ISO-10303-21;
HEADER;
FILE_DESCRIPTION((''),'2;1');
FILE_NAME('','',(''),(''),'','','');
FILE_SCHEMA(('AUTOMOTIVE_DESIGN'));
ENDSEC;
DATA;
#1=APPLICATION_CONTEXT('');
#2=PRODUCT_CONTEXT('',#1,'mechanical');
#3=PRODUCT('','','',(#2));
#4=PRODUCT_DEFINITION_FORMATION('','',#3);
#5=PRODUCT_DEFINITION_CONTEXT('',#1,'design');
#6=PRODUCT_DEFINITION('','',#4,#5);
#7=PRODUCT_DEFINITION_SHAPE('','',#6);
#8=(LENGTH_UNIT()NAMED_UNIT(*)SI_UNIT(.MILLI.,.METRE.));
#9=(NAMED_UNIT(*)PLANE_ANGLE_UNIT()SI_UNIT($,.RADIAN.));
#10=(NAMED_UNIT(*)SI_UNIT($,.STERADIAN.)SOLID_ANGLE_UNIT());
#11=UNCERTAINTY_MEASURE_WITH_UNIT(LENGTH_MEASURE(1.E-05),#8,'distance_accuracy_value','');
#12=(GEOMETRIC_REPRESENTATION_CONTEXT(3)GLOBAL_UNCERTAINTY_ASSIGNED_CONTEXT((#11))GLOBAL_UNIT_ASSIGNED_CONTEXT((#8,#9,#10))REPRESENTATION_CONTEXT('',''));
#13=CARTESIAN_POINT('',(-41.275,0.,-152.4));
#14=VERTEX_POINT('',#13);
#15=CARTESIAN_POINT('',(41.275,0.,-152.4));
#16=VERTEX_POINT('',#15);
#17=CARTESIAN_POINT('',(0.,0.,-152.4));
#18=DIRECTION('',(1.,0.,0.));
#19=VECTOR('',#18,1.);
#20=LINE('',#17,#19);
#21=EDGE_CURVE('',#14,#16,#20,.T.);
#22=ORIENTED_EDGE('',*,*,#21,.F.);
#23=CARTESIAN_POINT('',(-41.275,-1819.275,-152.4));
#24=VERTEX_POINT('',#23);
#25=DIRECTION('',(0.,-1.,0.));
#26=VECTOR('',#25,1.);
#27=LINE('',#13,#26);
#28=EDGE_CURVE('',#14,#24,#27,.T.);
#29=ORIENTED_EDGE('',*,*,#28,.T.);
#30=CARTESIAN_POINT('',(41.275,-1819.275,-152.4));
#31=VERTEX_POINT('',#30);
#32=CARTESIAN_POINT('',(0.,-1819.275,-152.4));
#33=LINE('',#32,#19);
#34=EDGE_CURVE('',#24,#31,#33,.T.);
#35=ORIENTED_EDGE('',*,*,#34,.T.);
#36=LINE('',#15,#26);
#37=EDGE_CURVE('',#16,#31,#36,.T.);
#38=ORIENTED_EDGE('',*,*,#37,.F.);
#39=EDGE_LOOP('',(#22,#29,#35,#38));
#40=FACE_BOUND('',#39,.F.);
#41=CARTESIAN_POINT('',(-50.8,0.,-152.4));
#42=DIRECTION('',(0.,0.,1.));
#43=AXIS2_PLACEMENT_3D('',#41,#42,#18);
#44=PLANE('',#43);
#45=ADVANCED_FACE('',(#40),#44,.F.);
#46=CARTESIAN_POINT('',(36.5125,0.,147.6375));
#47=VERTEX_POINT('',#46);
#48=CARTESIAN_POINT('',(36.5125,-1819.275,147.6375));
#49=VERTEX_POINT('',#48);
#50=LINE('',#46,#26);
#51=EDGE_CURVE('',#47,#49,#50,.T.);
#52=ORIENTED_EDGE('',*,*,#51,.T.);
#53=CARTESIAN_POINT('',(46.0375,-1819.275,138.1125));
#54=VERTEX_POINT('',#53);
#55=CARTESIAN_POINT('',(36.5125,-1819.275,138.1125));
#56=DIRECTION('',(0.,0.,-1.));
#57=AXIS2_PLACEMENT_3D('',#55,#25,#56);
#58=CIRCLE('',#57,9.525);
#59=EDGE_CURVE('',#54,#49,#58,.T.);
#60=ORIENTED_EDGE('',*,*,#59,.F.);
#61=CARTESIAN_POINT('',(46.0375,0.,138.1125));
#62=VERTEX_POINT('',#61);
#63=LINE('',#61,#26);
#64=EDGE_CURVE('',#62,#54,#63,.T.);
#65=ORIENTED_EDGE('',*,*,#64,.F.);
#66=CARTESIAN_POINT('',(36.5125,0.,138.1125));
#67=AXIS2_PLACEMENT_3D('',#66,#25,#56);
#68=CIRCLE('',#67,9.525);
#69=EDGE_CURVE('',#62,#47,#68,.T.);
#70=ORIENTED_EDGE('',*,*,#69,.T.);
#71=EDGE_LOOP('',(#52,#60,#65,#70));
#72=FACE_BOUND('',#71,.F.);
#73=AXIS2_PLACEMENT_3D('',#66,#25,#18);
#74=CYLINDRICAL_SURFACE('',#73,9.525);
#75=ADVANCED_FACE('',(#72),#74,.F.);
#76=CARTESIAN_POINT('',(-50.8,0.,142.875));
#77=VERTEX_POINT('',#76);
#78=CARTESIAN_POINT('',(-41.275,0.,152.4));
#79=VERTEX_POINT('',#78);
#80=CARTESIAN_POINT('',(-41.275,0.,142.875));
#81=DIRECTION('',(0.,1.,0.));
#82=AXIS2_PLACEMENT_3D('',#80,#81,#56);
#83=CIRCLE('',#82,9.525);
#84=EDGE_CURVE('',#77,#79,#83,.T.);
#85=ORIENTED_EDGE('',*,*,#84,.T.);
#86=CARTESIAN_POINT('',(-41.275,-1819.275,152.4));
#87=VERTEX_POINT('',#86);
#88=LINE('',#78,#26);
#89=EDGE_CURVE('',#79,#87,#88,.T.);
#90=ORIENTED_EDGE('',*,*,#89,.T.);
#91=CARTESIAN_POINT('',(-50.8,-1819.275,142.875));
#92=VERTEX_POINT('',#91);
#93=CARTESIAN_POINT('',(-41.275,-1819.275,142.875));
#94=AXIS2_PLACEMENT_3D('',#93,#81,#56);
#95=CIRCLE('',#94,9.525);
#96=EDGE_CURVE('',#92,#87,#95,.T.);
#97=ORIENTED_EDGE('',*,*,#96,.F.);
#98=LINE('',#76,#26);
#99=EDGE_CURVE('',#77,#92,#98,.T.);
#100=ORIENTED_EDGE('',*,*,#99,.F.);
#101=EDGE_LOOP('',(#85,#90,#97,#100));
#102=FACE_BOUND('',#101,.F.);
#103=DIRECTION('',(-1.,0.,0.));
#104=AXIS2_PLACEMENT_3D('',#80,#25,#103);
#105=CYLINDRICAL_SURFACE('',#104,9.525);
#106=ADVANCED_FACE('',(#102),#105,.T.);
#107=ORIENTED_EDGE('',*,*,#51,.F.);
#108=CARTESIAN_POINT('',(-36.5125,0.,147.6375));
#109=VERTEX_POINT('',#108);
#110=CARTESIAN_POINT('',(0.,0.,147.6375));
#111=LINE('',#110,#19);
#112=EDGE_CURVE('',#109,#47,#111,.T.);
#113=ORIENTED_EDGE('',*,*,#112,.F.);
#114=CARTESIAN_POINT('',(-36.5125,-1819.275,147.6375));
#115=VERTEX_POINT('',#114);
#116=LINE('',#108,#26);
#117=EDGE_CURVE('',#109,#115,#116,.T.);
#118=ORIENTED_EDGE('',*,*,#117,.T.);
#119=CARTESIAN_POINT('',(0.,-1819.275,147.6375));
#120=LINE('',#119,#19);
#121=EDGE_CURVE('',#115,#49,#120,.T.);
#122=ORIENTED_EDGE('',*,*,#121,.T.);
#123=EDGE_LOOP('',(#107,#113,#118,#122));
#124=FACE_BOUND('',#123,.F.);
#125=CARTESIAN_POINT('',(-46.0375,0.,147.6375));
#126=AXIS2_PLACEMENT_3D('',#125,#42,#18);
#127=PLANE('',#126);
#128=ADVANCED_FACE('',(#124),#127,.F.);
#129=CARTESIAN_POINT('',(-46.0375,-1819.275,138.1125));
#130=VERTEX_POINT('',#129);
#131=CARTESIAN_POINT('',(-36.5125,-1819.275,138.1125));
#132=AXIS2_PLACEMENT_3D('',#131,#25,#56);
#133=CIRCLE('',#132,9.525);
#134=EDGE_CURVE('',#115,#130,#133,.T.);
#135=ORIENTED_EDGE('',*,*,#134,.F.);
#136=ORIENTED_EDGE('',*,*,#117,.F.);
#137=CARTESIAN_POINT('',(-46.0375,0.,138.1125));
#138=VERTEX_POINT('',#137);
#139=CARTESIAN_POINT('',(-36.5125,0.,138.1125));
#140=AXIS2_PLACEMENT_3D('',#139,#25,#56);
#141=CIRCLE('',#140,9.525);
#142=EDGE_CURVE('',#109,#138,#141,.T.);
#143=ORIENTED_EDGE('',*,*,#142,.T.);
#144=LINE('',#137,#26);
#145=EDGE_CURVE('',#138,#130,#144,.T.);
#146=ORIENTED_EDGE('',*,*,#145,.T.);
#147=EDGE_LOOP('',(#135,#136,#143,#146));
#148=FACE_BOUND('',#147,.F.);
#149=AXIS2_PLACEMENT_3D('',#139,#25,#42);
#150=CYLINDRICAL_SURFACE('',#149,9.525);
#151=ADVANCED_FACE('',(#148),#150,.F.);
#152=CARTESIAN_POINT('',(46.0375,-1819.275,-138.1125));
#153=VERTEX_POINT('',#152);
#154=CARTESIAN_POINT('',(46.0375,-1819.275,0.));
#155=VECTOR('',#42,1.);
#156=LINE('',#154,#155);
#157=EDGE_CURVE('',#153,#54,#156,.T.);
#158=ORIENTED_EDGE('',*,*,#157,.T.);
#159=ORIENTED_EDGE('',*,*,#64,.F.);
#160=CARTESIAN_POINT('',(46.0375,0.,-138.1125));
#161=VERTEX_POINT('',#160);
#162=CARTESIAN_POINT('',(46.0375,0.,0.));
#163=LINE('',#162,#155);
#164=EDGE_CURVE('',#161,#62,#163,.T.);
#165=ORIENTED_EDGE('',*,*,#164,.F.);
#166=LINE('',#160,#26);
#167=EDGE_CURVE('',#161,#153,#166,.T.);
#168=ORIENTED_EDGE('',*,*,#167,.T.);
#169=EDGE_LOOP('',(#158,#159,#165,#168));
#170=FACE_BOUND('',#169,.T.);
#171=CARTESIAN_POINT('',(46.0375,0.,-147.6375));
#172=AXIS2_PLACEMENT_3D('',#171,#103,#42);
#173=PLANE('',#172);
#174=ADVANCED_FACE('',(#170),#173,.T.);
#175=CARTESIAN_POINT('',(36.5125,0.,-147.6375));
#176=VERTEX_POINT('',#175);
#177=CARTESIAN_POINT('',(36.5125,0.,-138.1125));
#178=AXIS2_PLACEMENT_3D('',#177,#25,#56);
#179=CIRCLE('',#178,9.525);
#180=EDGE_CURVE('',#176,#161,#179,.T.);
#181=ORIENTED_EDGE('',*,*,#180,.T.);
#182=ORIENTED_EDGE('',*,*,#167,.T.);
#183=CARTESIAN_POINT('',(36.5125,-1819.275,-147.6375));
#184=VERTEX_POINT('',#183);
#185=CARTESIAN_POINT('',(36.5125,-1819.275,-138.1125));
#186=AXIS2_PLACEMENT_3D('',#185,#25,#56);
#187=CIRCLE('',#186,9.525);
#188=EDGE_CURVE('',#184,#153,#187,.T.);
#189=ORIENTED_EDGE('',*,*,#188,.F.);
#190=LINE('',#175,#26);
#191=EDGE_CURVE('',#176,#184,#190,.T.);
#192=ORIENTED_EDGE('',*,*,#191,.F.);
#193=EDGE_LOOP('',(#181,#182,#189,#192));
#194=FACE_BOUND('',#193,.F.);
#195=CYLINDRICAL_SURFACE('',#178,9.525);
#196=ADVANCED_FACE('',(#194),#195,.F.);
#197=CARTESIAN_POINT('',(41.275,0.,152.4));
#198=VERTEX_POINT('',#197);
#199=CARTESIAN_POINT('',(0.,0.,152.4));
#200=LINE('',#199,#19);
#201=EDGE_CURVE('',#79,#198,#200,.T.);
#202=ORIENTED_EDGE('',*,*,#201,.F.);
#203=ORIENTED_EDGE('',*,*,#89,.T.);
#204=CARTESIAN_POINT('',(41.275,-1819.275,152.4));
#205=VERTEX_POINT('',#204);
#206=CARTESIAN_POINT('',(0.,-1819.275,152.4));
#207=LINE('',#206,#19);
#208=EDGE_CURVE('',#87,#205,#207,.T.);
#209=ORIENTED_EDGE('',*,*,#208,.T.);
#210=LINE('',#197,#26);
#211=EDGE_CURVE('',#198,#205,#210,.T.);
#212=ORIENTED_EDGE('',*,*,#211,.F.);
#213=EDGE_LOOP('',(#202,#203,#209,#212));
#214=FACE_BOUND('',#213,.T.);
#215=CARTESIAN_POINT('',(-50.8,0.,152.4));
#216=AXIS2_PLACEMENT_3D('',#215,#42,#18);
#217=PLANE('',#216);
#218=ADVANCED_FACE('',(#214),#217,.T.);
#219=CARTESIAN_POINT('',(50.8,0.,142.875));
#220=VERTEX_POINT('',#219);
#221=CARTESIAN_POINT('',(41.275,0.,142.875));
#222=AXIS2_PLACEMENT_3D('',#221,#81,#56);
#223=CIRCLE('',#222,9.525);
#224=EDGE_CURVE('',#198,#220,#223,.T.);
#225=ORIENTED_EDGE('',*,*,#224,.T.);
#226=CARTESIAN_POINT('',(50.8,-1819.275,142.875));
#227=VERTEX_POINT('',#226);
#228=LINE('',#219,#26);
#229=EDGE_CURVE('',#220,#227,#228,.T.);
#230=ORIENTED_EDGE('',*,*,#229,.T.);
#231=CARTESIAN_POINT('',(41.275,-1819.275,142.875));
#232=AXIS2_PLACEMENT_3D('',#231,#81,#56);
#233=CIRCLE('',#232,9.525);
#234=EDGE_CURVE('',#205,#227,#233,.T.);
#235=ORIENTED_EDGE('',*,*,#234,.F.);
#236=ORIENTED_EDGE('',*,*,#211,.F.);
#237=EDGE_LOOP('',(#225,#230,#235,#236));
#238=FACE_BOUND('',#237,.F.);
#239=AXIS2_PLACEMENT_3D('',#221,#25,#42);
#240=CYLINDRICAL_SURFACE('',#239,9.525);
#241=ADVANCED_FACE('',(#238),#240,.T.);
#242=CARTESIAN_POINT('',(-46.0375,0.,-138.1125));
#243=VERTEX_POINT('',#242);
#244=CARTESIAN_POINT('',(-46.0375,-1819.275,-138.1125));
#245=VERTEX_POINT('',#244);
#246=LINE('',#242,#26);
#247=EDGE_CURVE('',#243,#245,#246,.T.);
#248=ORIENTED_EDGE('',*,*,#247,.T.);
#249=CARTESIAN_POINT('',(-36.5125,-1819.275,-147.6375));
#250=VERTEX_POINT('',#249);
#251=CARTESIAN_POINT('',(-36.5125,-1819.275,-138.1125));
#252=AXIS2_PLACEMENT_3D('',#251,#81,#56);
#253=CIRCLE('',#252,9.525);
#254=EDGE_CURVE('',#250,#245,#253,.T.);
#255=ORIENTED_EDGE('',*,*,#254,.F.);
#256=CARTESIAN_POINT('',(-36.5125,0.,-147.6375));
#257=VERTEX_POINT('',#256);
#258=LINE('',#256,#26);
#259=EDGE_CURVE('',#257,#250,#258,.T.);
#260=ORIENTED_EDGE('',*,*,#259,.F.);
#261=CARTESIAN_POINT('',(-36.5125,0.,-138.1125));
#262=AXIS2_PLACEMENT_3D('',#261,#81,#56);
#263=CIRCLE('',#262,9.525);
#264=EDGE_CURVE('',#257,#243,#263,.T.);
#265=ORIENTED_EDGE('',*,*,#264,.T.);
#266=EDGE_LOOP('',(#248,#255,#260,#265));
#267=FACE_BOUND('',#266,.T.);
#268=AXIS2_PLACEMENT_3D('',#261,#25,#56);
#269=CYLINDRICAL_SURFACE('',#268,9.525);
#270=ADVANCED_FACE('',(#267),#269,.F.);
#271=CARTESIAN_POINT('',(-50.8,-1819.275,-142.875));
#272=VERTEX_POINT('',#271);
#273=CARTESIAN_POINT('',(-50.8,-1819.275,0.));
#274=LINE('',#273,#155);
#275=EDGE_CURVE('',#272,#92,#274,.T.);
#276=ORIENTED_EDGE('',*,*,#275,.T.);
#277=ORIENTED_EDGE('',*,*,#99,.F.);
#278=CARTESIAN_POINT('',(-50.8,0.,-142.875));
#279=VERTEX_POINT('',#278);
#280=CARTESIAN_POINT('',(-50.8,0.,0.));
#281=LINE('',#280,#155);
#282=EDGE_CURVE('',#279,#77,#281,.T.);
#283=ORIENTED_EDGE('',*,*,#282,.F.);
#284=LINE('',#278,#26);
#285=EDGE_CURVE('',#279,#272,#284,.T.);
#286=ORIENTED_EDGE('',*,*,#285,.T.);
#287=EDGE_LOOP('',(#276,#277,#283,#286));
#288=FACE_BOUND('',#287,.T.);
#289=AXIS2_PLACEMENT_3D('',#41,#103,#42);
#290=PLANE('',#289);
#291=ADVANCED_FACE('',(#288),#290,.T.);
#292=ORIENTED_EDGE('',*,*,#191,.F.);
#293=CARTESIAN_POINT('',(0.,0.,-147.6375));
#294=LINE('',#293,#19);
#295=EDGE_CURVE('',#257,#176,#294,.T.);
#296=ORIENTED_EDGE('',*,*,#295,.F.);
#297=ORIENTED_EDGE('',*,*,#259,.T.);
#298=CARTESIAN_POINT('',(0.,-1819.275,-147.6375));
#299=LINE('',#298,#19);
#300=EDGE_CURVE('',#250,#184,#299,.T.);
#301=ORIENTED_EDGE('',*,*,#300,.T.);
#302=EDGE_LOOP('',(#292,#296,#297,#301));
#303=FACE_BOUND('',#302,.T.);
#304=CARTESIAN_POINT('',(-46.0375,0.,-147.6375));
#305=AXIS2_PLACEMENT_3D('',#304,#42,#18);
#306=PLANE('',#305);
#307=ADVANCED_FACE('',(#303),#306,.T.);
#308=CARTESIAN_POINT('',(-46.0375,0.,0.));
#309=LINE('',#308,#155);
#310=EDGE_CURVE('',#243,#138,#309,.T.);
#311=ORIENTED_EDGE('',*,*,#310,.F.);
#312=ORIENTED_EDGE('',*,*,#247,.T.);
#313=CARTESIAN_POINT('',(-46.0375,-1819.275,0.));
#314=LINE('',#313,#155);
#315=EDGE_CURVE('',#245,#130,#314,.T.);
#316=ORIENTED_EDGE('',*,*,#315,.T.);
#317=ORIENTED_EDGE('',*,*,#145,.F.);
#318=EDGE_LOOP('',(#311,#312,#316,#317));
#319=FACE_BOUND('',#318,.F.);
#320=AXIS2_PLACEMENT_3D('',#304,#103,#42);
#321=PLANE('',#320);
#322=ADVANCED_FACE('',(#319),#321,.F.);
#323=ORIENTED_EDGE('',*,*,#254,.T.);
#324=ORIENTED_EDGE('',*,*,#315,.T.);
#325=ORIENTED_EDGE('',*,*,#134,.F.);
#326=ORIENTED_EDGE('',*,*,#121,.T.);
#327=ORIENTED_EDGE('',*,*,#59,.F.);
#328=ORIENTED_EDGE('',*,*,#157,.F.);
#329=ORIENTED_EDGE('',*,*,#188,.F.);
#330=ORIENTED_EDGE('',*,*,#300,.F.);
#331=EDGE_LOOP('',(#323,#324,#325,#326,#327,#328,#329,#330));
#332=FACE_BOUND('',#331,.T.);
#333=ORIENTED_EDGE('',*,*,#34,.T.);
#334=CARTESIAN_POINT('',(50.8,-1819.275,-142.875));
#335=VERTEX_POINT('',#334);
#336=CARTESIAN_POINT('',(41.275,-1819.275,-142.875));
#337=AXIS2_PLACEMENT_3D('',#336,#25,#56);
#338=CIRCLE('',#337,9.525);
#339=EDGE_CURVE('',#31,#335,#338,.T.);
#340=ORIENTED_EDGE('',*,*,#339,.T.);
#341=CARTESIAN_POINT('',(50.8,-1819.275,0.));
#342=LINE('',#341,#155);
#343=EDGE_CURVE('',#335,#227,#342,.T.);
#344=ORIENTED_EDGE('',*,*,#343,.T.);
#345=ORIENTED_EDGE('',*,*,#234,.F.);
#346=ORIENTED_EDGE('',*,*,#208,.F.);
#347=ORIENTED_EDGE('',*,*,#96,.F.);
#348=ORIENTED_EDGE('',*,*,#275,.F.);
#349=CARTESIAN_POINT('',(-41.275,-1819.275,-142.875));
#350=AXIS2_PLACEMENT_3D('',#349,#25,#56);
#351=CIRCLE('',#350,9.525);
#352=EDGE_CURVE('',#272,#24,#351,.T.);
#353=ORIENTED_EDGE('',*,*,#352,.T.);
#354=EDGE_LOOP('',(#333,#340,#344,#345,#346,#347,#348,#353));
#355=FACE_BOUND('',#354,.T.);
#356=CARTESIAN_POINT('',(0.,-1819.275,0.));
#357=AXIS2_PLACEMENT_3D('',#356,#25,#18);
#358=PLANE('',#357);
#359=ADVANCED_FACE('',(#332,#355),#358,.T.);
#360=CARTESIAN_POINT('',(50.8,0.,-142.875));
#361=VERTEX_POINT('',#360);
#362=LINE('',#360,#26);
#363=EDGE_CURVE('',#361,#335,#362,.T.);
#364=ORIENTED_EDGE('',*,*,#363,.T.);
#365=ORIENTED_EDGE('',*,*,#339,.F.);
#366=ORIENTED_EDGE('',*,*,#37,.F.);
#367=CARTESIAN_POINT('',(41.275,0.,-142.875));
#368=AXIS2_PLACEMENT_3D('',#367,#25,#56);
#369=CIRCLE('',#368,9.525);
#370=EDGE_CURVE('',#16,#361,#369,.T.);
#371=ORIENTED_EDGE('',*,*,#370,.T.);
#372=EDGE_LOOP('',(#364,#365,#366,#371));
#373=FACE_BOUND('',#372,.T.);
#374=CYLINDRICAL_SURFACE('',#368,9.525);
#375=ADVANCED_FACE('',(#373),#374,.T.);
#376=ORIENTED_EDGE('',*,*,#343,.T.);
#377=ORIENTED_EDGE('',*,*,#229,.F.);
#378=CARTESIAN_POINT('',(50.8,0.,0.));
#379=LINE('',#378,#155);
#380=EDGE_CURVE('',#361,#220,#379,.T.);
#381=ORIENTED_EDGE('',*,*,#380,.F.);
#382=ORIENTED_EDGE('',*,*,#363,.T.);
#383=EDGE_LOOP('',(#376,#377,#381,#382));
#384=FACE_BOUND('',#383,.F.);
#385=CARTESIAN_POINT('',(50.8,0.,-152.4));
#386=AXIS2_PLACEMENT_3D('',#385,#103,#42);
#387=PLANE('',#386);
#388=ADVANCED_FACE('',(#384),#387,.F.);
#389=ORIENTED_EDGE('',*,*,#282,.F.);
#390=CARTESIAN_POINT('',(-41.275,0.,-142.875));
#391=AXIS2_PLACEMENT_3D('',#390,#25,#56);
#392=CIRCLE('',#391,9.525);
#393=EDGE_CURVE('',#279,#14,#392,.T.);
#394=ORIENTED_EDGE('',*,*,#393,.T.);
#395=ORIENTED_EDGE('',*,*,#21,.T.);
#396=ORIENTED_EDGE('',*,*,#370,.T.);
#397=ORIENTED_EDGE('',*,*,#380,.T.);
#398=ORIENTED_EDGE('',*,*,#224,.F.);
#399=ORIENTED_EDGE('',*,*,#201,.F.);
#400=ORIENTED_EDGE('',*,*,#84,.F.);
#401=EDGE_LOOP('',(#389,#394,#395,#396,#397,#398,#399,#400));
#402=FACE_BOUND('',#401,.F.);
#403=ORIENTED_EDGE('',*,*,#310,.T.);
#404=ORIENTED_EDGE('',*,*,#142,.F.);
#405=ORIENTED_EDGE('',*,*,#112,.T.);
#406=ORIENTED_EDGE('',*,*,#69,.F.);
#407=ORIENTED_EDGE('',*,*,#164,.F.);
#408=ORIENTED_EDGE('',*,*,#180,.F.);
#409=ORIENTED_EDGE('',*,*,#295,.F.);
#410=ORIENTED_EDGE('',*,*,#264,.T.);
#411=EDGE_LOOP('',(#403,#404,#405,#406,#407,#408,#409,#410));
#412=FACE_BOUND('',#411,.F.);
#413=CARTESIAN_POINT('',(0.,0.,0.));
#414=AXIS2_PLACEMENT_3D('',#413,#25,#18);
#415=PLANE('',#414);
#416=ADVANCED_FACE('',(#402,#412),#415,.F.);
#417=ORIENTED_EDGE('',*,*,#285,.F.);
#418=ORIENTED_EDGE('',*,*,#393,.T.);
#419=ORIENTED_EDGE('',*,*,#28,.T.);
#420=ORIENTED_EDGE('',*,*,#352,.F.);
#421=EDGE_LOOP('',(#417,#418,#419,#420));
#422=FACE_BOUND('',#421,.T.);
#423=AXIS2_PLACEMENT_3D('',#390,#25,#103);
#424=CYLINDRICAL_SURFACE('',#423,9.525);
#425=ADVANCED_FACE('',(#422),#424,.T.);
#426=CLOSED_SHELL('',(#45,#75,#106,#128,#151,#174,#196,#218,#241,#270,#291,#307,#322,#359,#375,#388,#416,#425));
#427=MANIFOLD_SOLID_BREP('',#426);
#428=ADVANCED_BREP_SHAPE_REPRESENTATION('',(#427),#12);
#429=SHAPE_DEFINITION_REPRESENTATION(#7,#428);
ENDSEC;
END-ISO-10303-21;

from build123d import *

# Parameters (mm, degrees)
F0_W     = 101.6
F0_H     = 304.8
F0_W_2   = 92.075
F0_H_2   = 295.275
F1_DEPTH = 1819.275
F2_R     = 9.525


with BuildPart() as f1:
    # F0 (on Front) → F1 (new body)
    with BuildSketch(Plane.XZ):
        Rectangle(F0_W, F0_H)
        Rectangle(F0_W_2, F0_H_2, mode=Mode.SUBTRACT)
    extrude(amount=F1_DEPTH)

    # F2
    f2_edges = [f1.edges().sort_by_distance(p)[0] for p in [
        (50.8, -909.6375, 152.4),
        (-50.8, -909.6375, 152.4),
        (50.8, -909.6375, -152.4),
        (-46.0375, -909.6375, -147.6375),
        (-50.8, -909.6375, -152.4),
        (46.0375, -909.6375, 147.6375),
        (-46.0375, -909.6375, 147.6375),
        (46.0375, -909.6375, -147.6375),
    ]]
    fillet(f2_edges, radius=F2_R)


solid = f1.part
